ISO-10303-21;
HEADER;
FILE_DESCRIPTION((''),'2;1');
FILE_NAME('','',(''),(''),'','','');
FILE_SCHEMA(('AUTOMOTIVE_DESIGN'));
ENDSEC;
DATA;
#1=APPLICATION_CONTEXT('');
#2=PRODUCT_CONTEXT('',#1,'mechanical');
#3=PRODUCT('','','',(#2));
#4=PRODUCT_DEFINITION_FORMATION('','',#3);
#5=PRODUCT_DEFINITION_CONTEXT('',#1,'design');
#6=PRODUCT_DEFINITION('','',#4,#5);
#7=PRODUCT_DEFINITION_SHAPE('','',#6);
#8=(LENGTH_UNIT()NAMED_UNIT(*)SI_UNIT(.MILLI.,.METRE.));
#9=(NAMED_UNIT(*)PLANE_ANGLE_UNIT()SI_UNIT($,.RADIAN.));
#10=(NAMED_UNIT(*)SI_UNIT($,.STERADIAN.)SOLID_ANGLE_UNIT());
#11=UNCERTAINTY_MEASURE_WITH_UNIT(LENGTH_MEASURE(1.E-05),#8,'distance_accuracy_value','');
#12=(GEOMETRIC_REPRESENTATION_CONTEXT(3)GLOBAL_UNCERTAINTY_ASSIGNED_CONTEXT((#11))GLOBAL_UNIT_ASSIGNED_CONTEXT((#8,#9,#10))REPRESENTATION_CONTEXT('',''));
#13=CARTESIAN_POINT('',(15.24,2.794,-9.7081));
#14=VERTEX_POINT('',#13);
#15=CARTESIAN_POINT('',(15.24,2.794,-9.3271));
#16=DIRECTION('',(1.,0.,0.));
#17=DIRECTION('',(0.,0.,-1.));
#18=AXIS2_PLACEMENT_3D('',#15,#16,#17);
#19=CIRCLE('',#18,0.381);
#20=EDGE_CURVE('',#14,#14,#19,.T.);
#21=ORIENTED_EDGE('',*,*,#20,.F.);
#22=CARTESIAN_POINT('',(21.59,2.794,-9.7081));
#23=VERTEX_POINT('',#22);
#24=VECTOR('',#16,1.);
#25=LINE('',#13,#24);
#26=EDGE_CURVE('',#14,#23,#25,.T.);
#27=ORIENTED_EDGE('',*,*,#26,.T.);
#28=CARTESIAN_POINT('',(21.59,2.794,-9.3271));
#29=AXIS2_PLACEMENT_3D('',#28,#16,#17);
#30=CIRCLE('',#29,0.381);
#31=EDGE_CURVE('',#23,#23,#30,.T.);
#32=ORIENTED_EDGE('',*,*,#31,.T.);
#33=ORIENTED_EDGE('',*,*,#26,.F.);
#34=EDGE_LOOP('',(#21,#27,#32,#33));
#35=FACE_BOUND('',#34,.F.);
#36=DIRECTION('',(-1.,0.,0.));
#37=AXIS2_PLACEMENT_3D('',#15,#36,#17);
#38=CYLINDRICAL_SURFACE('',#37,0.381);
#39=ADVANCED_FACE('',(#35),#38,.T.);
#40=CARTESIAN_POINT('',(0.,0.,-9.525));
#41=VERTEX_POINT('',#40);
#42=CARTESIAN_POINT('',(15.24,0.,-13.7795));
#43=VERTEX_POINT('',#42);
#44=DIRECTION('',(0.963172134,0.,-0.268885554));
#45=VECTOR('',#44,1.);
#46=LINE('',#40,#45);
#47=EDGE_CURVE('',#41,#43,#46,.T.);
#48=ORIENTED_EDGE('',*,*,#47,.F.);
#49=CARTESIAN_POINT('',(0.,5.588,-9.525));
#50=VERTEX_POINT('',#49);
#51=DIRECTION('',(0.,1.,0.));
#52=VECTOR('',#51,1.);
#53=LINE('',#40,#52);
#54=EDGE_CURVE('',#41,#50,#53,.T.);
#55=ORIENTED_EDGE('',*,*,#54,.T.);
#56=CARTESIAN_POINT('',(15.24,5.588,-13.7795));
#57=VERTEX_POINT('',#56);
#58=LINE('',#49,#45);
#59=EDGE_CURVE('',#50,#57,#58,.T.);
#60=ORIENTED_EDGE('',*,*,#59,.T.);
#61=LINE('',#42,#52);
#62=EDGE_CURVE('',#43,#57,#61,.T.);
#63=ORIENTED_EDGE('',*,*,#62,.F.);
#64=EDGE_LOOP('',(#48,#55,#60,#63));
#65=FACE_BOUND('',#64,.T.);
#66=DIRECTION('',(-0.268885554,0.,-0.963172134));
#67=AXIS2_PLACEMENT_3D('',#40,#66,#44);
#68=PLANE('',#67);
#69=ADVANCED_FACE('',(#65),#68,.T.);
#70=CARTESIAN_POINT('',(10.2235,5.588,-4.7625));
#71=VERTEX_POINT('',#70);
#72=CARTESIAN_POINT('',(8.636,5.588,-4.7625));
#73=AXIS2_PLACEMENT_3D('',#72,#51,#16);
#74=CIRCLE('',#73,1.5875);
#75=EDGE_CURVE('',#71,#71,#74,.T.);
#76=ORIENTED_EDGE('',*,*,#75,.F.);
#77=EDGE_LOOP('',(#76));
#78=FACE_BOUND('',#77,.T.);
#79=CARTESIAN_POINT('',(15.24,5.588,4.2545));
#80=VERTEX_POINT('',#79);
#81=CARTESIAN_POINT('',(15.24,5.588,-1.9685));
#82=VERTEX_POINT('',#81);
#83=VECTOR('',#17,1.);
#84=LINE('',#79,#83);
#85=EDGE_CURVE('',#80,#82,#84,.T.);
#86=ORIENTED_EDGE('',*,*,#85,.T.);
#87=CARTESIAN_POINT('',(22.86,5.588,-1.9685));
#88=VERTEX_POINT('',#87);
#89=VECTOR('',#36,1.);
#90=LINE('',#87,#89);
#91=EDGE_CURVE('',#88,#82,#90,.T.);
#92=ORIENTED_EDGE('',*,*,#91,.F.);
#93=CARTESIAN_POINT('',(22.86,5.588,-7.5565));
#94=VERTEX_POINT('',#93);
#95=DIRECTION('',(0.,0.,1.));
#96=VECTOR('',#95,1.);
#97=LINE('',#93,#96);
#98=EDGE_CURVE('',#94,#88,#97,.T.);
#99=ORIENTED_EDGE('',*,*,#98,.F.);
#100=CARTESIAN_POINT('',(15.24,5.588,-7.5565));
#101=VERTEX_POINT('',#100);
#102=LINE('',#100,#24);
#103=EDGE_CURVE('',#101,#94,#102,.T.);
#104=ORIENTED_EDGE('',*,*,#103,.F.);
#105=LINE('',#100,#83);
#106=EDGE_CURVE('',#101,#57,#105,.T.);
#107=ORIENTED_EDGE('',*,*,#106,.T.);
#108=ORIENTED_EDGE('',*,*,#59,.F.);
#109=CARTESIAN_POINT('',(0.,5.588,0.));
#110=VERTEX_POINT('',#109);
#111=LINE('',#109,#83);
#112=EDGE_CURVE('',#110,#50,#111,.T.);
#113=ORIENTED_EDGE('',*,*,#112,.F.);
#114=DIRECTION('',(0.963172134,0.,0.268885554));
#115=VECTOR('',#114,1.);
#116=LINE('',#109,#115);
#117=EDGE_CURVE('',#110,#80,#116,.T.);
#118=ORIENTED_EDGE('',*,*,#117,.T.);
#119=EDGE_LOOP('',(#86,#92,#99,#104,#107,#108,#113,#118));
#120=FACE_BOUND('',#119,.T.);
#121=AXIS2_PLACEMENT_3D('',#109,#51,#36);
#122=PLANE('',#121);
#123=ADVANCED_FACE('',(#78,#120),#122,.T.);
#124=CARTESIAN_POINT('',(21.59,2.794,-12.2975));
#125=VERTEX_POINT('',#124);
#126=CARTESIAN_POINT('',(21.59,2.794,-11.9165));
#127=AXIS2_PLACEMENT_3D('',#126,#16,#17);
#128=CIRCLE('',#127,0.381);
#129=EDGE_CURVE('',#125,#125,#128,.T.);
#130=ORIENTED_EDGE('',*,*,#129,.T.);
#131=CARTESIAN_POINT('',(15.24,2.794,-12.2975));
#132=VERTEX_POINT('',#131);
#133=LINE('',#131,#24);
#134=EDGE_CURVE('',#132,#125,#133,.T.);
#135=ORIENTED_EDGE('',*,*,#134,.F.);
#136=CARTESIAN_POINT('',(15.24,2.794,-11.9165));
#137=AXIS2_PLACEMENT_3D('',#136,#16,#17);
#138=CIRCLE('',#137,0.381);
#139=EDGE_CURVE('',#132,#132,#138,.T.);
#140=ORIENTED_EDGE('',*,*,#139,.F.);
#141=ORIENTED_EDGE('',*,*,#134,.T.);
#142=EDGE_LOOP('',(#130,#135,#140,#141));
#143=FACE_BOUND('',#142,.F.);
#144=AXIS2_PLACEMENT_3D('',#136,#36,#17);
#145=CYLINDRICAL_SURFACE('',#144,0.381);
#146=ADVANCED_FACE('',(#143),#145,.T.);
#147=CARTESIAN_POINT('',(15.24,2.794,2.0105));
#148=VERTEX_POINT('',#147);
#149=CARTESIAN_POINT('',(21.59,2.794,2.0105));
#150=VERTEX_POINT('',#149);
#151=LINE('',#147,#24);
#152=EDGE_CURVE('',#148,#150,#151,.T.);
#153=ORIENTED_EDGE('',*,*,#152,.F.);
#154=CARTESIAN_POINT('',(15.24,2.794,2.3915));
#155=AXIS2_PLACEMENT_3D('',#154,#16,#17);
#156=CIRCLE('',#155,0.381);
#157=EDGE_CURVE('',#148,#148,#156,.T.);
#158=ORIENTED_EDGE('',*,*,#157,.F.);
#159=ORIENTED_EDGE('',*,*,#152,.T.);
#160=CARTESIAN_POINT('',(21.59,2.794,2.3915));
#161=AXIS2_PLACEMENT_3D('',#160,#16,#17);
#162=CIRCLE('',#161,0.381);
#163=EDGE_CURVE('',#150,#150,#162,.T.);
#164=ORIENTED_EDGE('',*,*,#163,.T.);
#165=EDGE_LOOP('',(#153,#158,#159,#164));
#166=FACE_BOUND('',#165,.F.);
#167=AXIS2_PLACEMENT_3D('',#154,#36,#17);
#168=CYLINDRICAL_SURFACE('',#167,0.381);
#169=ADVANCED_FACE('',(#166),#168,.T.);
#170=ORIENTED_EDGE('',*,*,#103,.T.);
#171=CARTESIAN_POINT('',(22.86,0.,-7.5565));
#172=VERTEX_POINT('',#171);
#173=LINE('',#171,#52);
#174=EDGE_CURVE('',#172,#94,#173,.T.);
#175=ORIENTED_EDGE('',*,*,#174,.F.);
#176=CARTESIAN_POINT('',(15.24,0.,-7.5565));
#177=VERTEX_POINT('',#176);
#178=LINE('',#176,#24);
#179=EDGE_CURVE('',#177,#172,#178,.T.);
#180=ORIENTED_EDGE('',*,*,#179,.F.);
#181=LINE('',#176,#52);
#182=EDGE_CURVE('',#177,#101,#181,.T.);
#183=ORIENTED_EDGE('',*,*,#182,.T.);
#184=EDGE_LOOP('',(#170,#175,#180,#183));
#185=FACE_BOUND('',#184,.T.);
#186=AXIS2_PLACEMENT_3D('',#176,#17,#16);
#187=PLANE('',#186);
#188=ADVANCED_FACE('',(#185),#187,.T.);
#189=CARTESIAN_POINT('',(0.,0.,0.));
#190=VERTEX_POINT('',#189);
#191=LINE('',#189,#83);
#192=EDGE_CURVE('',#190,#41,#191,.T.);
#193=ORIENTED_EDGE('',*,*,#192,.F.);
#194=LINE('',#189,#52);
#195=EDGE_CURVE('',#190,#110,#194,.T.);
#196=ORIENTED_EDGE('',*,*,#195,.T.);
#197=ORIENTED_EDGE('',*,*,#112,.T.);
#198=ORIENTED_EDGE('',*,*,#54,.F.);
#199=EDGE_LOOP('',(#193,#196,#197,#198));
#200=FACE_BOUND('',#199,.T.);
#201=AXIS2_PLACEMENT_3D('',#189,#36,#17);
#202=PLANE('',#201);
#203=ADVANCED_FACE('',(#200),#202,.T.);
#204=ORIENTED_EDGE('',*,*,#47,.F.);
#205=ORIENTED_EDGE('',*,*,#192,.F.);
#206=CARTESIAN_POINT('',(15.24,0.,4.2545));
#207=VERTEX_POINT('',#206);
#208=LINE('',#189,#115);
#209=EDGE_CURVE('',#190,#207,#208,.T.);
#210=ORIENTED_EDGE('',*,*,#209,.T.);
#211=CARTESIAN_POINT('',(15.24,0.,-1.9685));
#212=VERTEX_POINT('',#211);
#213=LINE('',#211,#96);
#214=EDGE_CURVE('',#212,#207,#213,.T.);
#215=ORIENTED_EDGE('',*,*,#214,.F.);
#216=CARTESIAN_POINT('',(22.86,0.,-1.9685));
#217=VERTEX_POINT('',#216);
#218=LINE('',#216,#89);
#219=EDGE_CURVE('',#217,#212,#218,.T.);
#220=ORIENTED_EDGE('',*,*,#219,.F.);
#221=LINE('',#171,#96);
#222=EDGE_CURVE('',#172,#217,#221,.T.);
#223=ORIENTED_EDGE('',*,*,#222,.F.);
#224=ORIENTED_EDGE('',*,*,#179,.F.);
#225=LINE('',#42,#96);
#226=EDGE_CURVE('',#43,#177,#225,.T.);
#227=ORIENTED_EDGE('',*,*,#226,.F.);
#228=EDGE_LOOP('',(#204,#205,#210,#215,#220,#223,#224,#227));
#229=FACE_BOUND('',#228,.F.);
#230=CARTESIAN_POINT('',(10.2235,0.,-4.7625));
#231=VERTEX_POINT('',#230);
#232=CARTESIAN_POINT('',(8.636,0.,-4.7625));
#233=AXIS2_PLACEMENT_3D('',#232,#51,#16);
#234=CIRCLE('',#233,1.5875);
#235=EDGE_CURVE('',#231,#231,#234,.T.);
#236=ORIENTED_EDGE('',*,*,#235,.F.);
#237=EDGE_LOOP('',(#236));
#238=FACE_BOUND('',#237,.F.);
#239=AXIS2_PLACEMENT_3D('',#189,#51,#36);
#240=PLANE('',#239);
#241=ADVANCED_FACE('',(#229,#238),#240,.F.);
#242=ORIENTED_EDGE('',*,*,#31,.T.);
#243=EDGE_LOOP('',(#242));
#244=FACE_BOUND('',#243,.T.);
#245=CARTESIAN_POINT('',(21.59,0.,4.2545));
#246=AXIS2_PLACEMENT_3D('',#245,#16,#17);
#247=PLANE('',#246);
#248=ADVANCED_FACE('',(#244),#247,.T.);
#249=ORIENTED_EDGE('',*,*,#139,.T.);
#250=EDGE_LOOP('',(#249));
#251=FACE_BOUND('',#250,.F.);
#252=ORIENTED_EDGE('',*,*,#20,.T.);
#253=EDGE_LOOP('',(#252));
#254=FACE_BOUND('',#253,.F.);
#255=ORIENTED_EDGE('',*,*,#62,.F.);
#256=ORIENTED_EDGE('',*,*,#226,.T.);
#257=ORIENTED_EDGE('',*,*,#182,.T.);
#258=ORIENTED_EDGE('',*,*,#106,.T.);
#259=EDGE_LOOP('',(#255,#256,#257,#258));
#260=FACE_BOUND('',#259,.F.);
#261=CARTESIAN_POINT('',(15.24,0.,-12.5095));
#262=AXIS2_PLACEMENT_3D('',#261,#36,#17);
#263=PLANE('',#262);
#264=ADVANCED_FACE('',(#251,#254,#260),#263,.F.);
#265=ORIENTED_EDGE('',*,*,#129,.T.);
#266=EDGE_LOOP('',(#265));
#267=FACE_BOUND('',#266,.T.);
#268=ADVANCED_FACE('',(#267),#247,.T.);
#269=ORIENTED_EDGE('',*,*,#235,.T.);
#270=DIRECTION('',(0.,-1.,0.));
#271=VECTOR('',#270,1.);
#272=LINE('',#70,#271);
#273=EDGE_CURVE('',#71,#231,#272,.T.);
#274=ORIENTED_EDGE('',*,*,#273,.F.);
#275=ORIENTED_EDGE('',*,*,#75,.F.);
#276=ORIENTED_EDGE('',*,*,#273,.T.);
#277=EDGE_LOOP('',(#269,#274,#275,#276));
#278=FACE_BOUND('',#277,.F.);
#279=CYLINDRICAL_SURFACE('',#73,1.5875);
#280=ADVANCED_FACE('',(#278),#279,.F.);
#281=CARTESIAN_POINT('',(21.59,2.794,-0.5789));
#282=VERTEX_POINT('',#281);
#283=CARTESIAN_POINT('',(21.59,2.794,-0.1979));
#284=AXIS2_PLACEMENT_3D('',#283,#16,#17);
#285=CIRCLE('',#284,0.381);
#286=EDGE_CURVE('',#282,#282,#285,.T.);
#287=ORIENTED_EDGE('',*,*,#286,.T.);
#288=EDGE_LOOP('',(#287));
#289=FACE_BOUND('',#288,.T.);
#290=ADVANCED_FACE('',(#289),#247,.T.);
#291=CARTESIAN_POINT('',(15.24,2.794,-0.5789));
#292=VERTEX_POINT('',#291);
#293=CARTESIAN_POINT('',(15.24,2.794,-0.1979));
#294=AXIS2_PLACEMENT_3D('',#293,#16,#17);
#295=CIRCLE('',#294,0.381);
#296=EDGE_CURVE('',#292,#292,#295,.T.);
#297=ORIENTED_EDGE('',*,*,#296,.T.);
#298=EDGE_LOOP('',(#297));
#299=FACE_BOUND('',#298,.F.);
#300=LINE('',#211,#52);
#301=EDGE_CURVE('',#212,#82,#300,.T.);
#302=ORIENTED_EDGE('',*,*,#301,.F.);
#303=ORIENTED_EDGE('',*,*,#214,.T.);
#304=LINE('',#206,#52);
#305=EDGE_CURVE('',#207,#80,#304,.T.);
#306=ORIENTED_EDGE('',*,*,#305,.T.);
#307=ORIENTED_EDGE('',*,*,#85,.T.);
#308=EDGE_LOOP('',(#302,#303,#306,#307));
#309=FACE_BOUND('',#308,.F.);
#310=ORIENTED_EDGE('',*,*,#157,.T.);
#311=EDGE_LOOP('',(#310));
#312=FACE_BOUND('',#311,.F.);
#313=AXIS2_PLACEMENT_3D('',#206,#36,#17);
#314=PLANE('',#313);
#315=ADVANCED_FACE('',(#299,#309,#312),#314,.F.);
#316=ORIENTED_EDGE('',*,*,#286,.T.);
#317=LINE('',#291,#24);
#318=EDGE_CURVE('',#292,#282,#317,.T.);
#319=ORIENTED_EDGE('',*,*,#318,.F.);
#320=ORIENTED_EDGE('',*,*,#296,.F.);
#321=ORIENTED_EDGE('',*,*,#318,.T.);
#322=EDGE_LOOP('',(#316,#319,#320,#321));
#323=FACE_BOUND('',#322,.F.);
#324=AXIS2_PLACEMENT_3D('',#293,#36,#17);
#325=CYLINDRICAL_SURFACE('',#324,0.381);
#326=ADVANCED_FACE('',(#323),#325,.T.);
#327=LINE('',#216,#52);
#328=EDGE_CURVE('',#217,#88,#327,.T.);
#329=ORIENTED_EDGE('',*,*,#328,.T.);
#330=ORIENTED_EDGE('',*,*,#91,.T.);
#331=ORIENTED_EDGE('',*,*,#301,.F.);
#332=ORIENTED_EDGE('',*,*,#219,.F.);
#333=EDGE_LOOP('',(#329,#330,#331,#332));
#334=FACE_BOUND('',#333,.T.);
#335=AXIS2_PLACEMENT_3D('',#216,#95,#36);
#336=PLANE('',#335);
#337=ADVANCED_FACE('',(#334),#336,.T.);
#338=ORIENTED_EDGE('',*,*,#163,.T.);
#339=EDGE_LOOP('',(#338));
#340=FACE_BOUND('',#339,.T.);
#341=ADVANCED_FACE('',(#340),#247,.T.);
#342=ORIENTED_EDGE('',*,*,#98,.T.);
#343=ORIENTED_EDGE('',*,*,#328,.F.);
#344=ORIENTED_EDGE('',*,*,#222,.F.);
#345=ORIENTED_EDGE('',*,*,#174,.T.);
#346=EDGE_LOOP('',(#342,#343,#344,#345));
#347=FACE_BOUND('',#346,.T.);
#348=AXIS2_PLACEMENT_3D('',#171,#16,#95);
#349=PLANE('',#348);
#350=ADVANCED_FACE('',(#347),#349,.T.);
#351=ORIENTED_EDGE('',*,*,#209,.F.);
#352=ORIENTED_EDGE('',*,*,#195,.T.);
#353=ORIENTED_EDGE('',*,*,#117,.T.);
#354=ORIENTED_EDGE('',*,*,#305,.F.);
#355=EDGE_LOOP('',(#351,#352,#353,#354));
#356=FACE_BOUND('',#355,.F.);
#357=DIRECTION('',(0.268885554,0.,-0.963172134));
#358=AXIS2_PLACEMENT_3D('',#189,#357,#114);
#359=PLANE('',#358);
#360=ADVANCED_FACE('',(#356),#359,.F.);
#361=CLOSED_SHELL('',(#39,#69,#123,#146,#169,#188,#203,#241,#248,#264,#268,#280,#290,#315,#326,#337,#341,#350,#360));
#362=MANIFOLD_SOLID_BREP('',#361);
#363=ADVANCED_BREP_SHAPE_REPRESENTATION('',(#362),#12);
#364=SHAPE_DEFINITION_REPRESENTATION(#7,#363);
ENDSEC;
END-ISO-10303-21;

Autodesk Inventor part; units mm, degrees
ref_plane "YZ Plane" through (0, 0, 0) normal (1, 0, 0) x (0, 1, 0)
ref_plane "XZ Plane" through (0, 0, 0) normal (0, 1, 0) x (-1, 0, 0)
sketch "Sketch1" plane through (0, 0, 0) normal (0, 1, 0) x (-1, 0, 0)
  line L0 (0, 0) -> (0, -9.525)
  line L1 (-15.24, 4.2545) -> (-15.24, -13.7795)
  line L2 (0, 0) -> (-15.24, 4.2545)
  line L3 (0, -9.525) -> (-15.24, -13.7795)
  line L4 (-15.24, 4.2545) -> (-19.05, 4.2545)
  line L5 (-19.05, 4.2545) -> (-19.05, 2.9845)
  line L6 (-19.05, 2.9845) -> (-15.24, 2.9845)
  line L7 (-15.24, 2.9845) -> (-15.24, 4.2545)
  line L8 (-15.24, -13.7795) -> (-19.05, -13.7795)
  line L9 (-19.05, -13.7795) -> (-19.05, -12.5095)
  line L10 (-19.05, -12.5095) -> (-15.24, -12.5095)
  line L11 (-15.24, -12.5095) -> (-15.24, -13.7795)
  line L12 (0, 0) -> (0, 3.175)
  line L13 (-15.24, 4.2545) -> (-15.24, 7.4295)
  line L14 (0, -9.525) -> (0, -12.7)
  line L15 (-15.24, -13.7795) -> (-15.24, -16.9545)
  line L16 (-15.24, -16.9545) -> (0, -12.7)
  line L17 (0, 3.175) -> (-15.24, 7.4295)
  line L18 (-15.24, 7.4295) -> (-34.29, 7.4295)
  line L19 (-19.05, 4.2545) -> (-34.29, 4.2545)
  line L20 (-34.29, 4.2545) -> (-34.29, 7.4295)
  line L21 (-15.24, -16.9545) -> (-34.29, -16.9545)
  line L22 (-34.29, -16.9545) -> (-34.29, -13.7795)
  line L23 (-34.29, -13.7795) -> (-19.05, -13.7795)
  line L24 (-34.29, 7.4295) -> (-37.465, 7.4295)
  line L25 (-37.465, 7.4295) -> (-37.465, -17.5895)
  line L26 (-37.465, -17.5895) -> (-34.29, -17.5895)
  line L27 (-34.29, -17.5895) -> (-34.29, 7.4295)
  line L28 (-15.24, -13.7795) -> (-34.29, -13.7795)
  line L29 (-34.29, -13.7795) -> (-34.29, 4.2545)
  line L30 (-34.29, 4.2545) -> (-15.24, 4.2545)
  line L31 (-15.24, 4.2545) -> (-15.24, -13.7795)
  line L32 (-15.24, 4.2545) -> (-34.29, 4.2545)
  line L33 (-34.29, 4.2545) -> (-34.29, 7.4295)
  line L34 (-34.29, 7.4295) -> (-15.24, 7.4295)
  line L35 (-15.24, 7.4295) -> (-15.24, 4.2545)
  line L36 (-15.24, -7.5565) -> (-22.86, -7.5565)
  line L37 (-22.86, -7.5565) -> (-22.86, -1.9685)
  line L38 (-22.86, -1.9685) -> (-15.24, -1.9685)
  line L39 (-15.24, -1.9685) -> (-15.24, -7.5565)
  dimension "d0" = 9.525
  dimension "d1" = 15.24
  dimension "d2" = 18.034
  dimension "d3" = 4.2545
  dimension "d4" = 3.81
  dimension "d5" = 1.27
  dimension "d6" = 3.81
  dimension "d7" = 1.27
  dimension "d8" = 3.175
  dimension "d9" = 3.175
  dimension "d10" = 3.175
  dimension "d11" = 3.175
  dimension "d12" = 19.05
  dimension "d13" = 3.175
  dimension "d30" = 7.62
  dimension "d31" = 5.588
  dimension "d32" = 6.223
extrude "Extrusion6" add sketch "Sketch1" along normal blind 5.588 contours L0 L3 L1 L2 | L1 L36 L37 L38
sketch "Sketch5" plane through (0, 5.588, 0) normal (0, 1, 0) x (1, 0, 0)
  circle A0 centre (8.636, 4.7625) radius 1.5875
  line L0 (0, 9.525) -> (0, 0) projected
  dimension "d35" = 3.175
  dimension "d36" = 8.636
extrude "Extrusion7" cut sketch "Sketch5" against normal blind 5.588
sketch "Sketch6" plane through (15.24, 0, 4.2545) normal (1, 0, 0) x (0, 0, -1)
  line L0 (6.223, 0) -> (6.223, 5.588) projected
  line L1 (0, 5.588) -> (6.223, 5.588) projected
  line L2 (0, 0) -> (0, 5.588) projected
  line L3 (0, 0) -> (6.223, 0) projected
  line L4 (11.811, 5.588) -> (11.811, 0) projected
  line L5 (11.811, 0) -> (18.034, 0) projected
  line L6 (18.034, 0) -> (18.034, 5.588) projected
  line L7 (11.811, 5.588) -> (18.034, 5.588) projected
  circle A0 centre (1.863, 2.794) radius 0.381
  circle A1 centre (4.4524, 2.794) radius 0.381
  line L8 (6.223, 5.588) -> (11.811, 5.588) projected
  line L9 (9.017, 5.588) -> (9.017, 8.4963)
  circle A2 centre (16.171, 2.794) radius 0.381
  circle A3 centre (13.5816, 2.794) radius 0.381
  point P0 (4.2545, 0)
  dimension "d39" = 0.762
  dimension "d40" = 0.762
extrude "Extrusion8" add sketch "Sketch6" along normal blind 6.35 contours A0 | A1 | A2 | A3
ref_plane "Work Plane1" through (15.24, 0, -4.7625) normal (0, 0, -1) x (-1, 0, 0)
equation "\"d3\" = -0.5 * d0 + 0.5 * d2"
equation "\"d32\" = -0.5 * d31 + 0.5 * d2"
properties part number "photoTransistor" material "ABS Plastic"
